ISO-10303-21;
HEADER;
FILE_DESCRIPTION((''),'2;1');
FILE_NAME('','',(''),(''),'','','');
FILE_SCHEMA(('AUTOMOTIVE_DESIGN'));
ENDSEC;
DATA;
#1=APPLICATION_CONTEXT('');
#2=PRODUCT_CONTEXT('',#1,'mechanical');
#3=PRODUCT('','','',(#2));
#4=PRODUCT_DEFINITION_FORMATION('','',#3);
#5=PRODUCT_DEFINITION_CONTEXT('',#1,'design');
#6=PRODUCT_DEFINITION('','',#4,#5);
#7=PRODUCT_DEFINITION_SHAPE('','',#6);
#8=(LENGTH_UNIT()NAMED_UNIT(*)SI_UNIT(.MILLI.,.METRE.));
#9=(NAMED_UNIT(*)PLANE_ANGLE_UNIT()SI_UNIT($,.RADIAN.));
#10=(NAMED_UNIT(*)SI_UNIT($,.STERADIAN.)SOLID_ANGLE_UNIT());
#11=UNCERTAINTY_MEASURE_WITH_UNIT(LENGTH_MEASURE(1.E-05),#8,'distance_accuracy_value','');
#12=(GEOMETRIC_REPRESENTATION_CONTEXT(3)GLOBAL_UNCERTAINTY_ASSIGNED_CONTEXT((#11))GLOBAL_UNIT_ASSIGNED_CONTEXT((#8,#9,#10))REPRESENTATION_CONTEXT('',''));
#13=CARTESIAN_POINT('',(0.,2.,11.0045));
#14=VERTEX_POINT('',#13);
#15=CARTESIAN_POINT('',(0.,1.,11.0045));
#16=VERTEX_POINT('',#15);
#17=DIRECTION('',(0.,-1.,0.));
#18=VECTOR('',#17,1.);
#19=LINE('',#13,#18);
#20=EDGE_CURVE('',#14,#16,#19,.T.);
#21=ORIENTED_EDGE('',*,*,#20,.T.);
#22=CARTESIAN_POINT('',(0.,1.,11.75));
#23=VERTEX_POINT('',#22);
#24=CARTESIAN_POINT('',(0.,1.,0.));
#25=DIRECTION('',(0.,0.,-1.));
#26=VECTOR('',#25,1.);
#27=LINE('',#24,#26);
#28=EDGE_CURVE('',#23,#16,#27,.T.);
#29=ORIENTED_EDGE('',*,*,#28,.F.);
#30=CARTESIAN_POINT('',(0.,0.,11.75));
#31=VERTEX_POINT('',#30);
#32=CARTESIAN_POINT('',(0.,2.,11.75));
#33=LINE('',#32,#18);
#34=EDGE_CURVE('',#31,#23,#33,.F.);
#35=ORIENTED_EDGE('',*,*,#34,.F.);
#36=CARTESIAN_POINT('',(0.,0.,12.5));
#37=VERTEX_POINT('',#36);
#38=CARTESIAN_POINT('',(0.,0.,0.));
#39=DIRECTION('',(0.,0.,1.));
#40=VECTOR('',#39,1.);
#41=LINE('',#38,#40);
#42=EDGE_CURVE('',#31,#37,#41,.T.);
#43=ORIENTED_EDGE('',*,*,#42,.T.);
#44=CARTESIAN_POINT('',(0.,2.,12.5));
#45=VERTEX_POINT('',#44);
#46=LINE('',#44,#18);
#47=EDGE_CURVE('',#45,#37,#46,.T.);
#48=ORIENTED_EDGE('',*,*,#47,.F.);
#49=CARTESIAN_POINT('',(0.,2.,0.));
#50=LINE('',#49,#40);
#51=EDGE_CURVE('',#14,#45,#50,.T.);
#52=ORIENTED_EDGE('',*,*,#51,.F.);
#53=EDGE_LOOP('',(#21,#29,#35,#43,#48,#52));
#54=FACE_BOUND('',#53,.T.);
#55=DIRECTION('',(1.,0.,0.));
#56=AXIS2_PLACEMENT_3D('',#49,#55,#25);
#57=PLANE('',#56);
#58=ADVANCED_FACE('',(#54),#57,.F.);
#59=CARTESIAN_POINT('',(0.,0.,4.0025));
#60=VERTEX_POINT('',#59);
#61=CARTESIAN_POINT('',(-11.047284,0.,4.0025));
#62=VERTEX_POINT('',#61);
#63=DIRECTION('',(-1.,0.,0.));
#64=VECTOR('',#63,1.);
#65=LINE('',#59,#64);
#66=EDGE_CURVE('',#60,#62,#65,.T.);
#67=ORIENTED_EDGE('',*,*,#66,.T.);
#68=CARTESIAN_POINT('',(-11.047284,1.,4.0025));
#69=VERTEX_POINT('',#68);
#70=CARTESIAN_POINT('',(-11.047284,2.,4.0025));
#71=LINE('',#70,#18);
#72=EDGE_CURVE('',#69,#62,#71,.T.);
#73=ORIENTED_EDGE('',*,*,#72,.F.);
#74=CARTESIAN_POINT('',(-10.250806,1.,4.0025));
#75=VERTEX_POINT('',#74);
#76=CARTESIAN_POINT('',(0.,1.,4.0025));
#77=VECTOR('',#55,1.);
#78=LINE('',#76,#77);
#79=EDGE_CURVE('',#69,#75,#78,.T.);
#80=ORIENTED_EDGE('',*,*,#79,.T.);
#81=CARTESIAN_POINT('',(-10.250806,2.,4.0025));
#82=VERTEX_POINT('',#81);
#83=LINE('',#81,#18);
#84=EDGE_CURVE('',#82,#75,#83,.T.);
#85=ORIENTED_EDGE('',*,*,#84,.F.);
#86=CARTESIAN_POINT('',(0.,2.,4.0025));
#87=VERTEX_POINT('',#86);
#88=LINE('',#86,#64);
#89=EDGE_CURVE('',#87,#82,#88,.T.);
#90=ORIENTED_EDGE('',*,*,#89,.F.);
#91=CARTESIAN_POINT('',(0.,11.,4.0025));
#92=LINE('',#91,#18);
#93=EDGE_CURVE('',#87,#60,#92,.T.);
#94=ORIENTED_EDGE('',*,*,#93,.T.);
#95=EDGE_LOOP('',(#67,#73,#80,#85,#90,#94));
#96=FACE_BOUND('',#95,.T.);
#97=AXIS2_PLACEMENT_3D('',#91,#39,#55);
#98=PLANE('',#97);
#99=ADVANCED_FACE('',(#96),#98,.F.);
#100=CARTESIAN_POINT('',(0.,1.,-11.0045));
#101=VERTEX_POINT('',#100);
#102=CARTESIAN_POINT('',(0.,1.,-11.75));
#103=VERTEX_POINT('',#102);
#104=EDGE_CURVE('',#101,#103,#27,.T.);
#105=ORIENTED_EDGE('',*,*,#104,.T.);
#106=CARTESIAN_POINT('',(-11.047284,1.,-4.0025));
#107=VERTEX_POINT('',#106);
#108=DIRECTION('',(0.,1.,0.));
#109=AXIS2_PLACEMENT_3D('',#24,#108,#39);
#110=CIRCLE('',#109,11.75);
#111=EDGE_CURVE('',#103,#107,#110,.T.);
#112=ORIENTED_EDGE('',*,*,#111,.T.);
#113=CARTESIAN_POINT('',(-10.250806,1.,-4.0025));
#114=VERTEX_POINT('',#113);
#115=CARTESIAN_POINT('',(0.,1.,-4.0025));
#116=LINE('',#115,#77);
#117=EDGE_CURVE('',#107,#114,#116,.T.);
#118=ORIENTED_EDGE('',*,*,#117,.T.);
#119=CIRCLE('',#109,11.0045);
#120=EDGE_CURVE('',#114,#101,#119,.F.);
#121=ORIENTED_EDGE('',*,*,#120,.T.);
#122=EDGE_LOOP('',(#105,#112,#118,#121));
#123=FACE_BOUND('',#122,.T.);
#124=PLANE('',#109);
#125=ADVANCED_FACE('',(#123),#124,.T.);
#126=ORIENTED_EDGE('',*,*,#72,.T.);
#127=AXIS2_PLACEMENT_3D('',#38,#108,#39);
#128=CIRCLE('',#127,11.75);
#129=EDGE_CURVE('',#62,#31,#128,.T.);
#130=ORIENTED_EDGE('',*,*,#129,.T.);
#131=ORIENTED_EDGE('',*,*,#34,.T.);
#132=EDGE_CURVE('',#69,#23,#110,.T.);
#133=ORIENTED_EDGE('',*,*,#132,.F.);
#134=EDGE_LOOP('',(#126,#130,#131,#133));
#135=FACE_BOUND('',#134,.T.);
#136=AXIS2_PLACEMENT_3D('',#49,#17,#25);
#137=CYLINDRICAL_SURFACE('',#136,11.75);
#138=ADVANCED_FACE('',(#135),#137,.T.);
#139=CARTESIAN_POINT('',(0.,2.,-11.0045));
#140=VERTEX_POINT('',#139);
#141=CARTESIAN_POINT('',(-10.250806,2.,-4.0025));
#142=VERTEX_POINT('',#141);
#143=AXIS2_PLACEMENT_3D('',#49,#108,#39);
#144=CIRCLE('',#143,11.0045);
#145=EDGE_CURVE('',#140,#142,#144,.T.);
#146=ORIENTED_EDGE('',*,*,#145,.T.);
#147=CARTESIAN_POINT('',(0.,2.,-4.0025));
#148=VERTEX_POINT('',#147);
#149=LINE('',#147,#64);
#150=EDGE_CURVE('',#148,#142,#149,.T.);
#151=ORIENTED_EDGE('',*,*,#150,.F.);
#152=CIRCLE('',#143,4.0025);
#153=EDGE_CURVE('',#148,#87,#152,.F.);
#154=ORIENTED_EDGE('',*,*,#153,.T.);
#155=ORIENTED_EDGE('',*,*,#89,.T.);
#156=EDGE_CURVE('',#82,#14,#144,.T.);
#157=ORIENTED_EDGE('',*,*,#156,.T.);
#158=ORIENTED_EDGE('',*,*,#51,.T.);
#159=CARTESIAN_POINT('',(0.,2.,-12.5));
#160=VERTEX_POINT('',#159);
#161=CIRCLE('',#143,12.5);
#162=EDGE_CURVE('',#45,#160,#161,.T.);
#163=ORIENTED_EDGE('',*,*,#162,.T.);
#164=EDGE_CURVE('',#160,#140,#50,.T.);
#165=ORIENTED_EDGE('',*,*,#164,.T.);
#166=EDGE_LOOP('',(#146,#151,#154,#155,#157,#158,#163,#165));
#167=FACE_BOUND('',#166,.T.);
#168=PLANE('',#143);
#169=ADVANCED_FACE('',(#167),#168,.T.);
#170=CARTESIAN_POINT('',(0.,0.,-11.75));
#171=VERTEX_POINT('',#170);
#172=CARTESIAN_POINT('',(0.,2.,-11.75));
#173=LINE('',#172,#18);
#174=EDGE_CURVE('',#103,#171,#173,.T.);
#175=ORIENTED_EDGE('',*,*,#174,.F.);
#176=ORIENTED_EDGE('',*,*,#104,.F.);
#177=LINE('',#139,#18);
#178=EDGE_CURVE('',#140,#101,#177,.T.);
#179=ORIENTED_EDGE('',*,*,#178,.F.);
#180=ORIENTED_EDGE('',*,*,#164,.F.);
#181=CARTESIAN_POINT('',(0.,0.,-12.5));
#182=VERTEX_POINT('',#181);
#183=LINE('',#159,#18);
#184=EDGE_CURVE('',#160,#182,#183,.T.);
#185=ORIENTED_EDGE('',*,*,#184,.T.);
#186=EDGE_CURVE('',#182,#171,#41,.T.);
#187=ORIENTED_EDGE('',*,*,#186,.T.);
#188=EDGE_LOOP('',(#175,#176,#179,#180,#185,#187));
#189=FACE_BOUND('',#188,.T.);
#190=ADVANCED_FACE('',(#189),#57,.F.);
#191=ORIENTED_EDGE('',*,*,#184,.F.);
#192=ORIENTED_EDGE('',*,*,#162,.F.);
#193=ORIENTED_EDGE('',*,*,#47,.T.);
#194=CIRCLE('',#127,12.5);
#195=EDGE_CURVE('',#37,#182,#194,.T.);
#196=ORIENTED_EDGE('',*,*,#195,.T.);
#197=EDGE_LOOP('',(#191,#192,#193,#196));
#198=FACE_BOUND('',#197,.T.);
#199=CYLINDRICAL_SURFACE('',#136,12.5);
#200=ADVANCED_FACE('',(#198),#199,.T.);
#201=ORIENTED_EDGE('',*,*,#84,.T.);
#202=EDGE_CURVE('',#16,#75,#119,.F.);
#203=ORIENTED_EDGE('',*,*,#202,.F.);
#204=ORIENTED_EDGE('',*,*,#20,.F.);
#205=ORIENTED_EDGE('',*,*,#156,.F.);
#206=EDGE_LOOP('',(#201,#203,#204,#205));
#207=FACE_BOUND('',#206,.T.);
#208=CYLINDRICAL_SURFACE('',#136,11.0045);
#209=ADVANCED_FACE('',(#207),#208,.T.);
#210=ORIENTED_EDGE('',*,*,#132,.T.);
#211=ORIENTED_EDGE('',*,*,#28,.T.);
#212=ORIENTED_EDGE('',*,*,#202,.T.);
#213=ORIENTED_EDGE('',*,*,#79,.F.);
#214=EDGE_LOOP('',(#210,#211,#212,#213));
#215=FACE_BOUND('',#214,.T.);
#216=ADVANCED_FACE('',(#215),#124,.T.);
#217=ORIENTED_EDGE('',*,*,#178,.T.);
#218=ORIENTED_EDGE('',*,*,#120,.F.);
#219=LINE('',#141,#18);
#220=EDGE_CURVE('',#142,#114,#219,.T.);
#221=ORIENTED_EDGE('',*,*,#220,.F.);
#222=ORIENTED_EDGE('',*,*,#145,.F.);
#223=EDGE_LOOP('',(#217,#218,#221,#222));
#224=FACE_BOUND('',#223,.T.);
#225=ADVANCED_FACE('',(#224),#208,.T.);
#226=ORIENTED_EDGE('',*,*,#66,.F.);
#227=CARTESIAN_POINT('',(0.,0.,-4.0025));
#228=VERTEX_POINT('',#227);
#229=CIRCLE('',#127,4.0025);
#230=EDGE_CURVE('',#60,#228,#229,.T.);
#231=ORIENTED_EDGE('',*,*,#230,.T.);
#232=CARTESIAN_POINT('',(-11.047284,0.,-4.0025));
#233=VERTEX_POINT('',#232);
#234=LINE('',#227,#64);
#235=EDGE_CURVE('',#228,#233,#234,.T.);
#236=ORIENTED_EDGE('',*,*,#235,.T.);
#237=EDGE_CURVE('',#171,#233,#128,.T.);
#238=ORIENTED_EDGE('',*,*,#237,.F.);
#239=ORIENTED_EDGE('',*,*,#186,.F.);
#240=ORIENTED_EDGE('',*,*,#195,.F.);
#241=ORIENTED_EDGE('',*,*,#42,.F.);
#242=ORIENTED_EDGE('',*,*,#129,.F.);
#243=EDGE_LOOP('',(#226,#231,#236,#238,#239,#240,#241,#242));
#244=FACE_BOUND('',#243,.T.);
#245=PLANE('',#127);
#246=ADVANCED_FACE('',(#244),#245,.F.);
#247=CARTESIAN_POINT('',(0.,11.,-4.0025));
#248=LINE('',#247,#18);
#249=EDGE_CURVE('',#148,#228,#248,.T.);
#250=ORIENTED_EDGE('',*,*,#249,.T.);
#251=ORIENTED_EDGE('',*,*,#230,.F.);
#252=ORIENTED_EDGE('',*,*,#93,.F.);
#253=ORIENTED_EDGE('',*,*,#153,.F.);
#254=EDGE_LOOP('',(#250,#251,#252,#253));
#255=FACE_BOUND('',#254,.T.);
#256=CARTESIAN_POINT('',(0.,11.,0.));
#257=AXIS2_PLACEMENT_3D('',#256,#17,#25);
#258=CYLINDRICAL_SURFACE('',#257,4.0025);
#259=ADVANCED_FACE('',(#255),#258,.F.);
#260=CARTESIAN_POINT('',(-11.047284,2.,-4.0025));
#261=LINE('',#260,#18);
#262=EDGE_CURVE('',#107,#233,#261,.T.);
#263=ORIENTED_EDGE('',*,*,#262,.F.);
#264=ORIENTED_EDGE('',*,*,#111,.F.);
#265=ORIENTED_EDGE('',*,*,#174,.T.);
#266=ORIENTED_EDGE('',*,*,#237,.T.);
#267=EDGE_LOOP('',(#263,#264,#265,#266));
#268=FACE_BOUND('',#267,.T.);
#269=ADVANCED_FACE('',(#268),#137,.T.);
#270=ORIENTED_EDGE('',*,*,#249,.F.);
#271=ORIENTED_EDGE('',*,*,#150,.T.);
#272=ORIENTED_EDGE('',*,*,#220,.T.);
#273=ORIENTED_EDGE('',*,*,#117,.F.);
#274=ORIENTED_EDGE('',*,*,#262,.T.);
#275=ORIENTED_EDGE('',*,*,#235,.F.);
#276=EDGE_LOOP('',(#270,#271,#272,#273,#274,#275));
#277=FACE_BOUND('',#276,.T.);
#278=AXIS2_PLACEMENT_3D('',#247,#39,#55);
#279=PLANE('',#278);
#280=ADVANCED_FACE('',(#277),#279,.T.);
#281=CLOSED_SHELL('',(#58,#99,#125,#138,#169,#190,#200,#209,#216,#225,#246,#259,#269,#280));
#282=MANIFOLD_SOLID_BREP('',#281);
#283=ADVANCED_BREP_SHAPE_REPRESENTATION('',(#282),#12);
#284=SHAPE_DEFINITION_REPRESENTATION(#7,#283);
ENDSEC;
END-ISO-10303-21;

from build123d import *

# Parameters (mm, degrees)
BOSS_EXTRUDE1_DEPTH = 2
BOSS_EXTRUDE2_START = 1
SKETCH1_5_R         = 11.75
BOSS_EXTRUDE2_DEPTH = 1
CUT_EXTRUDE4_DEPTH  = 11
BOSS_EXTRUDE3_DEPTH = 1
BOSS_EXTRUDE4_DEPTH = 1
CUT_EXTRUDE5_START  = 2
CUT_EXTRUDE5_DEPTH  = 1
BOSS_EXTRUDE5_DEPTH = 2


with BuildPart() as part:
    # Sketch1 → Boss-Extrude1 (new body)
    with BuildSketch(Plane(origin=(0, 0, 0), x_dir=(1, 0, 0), z_dir=(0, 1, 0))):
        with BuildLine():
            Line((0, 12.5), (0, 11.75))
            ThreePointArc((0, 11.75), (8.308504679, 8.308504679), (11.75, 0))
            ThreePointArc((11.75, 0), (8.308504679, -8.308504679), (0, -11.75))
            Line((0, -11.75), (0, -12.5))
            ThreePointArc((0, -12.5), (8.838834765, -8.838834765), (12.5, 0))
            ThreePointArc((12.5, 0), (8.838834765, 8.838834765), (0, 12.5))
        make_face()
        with BuildLine():
            Line((0, 11.75), (0, 11.0045))
            ThreePointArc((0, 11.0045), (7.781356574, 7.781356574), (11.0045, 0))
            ThreePointArc((11.0045, 0), (7.781356574, -7.781356574), (0, -11.0045))
            Line((0, -11.0045), (0, -11.75))
            ThreePointArc((0, -11.75), (8.308504679, -8.308504679), (11.75, 0))
            ThreePointArc((11.75, 0), (8.308504679, 8.308504679), (0, 11.75))
        make_face()
    extrude(amount=BOSS_EXTRUDE1_DEPTH)

    # Sketch1<5> → Boss-Extrude2 (add)
    with BuildSketch(Plane(origin=(0, 0, 0), x_dir=(1, 0, 0), z_dir=(0, 1, 0)).offset(BOSS_EXTRUDE2_START)):
        Circle(SKETCH1_5_R)
    extrude(amount=BOSS_EXTRUDE2_DEPTH)

    # Sketch1<8> → Cut-Extrude4 (cut)
    with BuildSketch(Plane(origin=(0, 0, 0), x_dir=(1, 0, 0), z_dir=(0, 1, 0))):
        with BuildLine():
            ThreePointArc((4.0025, 0), (2.830194892, 2.830194892), (0, 4.0025))
            Line((0, 4.0025), (0, -4.0025))
            ThreePointArc((0, -4.0025), (2.830194892, -2.830194892), (4.0025, 0))
        make_face()
        with BuildLine():
            Line((0, -4.0025), (0, 4.0025))
            ThreePointArc((0, 4.0025), (-4.0025, 0), (0, -4.0025))
        make_face()
        with BuildLine():
            ThreePointArc((0, -4.0025), (-4.0025, 0), (0, 4.0025))
            Line((0, 4.0025), (-10.250805529, 4.0025))
            ThreePointArc((-10.250805529, 4.0025), (-11.0045, 0), (-10.250805529, -4.0025))
            Line((-10.250805529, -4.0025), (0, -4.0025))
        make_face()
        with BuildLine():
            ThreePointArc((-10.250805529, -4.0025), (-11.0045, 0), (-10.250805529, 4.0025))
            Line((-10.250805529, 4.0025), (-11.047284451, 4.0025))
            ThreePointArc((-11.047284451, 4.0025), (-11.75, 0), (-11.047284451, -4.0025))
            Line((-11.047284451, -4.0025), (-10.250805529, -4.0025))
        make_face()
    extrude(amount=CUT_EXTRUDE4_DEPTH, mode=Mode.SUBTRACT)

    # Sketch1<9> → Boss-Extrude3 (add)
    with BuildSketch(Plane(origin=(0, 0, 0), x_dir=(1, 0, 0), z_dir=(0, 1, 0))):
        with BuildLine():
            Line((0, 11.0045), (0, 4.0025))
            ThreePointArc((0, 4.0025), (2.830194892, 2.830194892), (4.0025, 0))
            ThreePointArc((4.0025, 0), (2.830194892, -2.830194892), (0, -4.0025))
            Line((0, -4.0025), (0, -11.0045))
            ThreePointArc((0, -11.0045), (7.781356574, -7.781356574), (11.0045, 0))
            ThreePointArc((11.0045, 0), (7.781356574, 7.781356574), (0, 11.0045))
        make_face()
    extrude(amount=BOSS_EXTRUDE3_DEPTH)

    # Sketch1<10> → Boss-Extrude4 (add)
    with BuildSketch(Plane(origin=(0, 0, 0), x_dir=(1, 0, 0), z_dir=(0, 1, 0))):
        with BuildLine():
            Line((-10.250805529, 4.0025), (0, 4.0025))
            Line((0, 4.0025), (0, 11.0045))
            ThreePointArc((0, 11.0045), (-6.206992388, 9.08692829), (-10.250805529, 4.0025))
        make_face()
        with BuildLine():
            Line((0, -11.0045), (0, -4.0025))
            Line((0, -4.0025), (-10.250805529, -4.0025))
            ThreePointArc((-10.250805529, -4.0025), (-6.206992388, -9.08692829), (0, -11.0045))
        make_face()
        with BuildLine():
            Line((0, -11.75), (0, -11.0045))
            ThreePointArc((0, -11.0045), (-6.206992388, -9.08692829), (-10.250805529, -4.0025))
            Line((-10.250805529, -4.0025), (-11.047284451, -4.0025))
            ThreePointArc((-11.047284451, -4.0025), (-6.746596364, -9.620079911), (0, -11.75))
        make_face()
        with BuildLine():
            ThreePointArc((-10.250805529, 4.0025), (-6.206992388, 9.08692829), (0, 11.0045))
            Line((0, 11.0045), (0, 11.75))
            ThreePointArc((0, 11.75), (-6.746596364, 9.620079911), (-11.047284451, 4.0025))
            Line((-11.047284451, 4.0025), (-10.250805529, 4.0025))
        make_face()
    extrude(amount=BOSS_EXTRUDE4_DEPTH)

    # Sketch1<11> → Cut-Extrude5 (cut)
    with BuildSketch(Plane(origin=(0, 0, 0), x_dir=(1, 0, 0), z_dir=(0, 1, 0)).offset(CUT_EXTRUDE5_START)):
        with BuildLine():
            Line((-10.250805529, 4.0025), (0, 4.0025))
            Line((0, 4.0025), (0, 11.0045))
            ThreePointArc((0, 11.0045), (-6.206992388, 9.08692829), (-10.250805529, 4.0025))
        make_face()
        with BuildLine():
            ThreePointArc((-10.250805529, 4.0025), (-6.206992388, 9.08692829), (0, 11.0045))
            Line((0, 11.0045), (0, 11.75))
            ThreePointArc((0, 11.75), (-6.746596364, 9.620079911), (-11.047284451, 4.0025))
            Line((-11.047284451, 4.0025), (-10.250805529, 4.0025))
        make_face()
        with BuildLine():
            Line((0, -11.0045), (0, -4.0025))
            Line((0, -4.0025), (-10.250805529, -4.0025))
            ThreePointArc((-10.250805529, -4.0025), (-6.206992388, -9.08692829), (0, -11.0045))
        make_face()
        with BuildLine():
            Line((0, -11.75), (0, -11.0045))
            ThreePointArc((0, -11.0045), (-6.206992388, -9.08692829), (-10.250805529, -4.0025))
            Line((-10.250805529, -4.0025), (-11.047284451, -4.0025))
            ThreePointArc((-11.047284451, -4.0025), (-6.746596364, -9.620079911), (0, -11.75))
        make_face()
    extrude(amount=-CUT_EXTRUDE5_DEPTH, mode=Mode.SUBTRACT)

    # Sketch1<12> → Boss-Extrude5 (add)
    with BuildSketch(Plane(origin=(0, 0, 0), x_dir=(1, 0, 0), z_dir=(0, 1, 0))):
        with BuildLine():
            Line((0, -11.0045), (0, -4.0025))
            Line((0, -4.0025), (-10.250805529, -4.0025))
            ThreePointArc((-10.250805529, -4.0025), (-6.206992388, -9.08692829), (0, -11.0045))
        make_face()
        with BuildLine():
            Line((-10.250805529, 4.0025), (0, 4.0025))
            Line((0, 4.0025), (0, 11.0045))
            ThreePointArc((0, 11.0045), (-6.206992388, 9.08692829), (-10.250805529, 4.0025))
        make_face()
    extrude(amount=BOSS_EXTRUDE5_DEPTH)


solid = part.part
